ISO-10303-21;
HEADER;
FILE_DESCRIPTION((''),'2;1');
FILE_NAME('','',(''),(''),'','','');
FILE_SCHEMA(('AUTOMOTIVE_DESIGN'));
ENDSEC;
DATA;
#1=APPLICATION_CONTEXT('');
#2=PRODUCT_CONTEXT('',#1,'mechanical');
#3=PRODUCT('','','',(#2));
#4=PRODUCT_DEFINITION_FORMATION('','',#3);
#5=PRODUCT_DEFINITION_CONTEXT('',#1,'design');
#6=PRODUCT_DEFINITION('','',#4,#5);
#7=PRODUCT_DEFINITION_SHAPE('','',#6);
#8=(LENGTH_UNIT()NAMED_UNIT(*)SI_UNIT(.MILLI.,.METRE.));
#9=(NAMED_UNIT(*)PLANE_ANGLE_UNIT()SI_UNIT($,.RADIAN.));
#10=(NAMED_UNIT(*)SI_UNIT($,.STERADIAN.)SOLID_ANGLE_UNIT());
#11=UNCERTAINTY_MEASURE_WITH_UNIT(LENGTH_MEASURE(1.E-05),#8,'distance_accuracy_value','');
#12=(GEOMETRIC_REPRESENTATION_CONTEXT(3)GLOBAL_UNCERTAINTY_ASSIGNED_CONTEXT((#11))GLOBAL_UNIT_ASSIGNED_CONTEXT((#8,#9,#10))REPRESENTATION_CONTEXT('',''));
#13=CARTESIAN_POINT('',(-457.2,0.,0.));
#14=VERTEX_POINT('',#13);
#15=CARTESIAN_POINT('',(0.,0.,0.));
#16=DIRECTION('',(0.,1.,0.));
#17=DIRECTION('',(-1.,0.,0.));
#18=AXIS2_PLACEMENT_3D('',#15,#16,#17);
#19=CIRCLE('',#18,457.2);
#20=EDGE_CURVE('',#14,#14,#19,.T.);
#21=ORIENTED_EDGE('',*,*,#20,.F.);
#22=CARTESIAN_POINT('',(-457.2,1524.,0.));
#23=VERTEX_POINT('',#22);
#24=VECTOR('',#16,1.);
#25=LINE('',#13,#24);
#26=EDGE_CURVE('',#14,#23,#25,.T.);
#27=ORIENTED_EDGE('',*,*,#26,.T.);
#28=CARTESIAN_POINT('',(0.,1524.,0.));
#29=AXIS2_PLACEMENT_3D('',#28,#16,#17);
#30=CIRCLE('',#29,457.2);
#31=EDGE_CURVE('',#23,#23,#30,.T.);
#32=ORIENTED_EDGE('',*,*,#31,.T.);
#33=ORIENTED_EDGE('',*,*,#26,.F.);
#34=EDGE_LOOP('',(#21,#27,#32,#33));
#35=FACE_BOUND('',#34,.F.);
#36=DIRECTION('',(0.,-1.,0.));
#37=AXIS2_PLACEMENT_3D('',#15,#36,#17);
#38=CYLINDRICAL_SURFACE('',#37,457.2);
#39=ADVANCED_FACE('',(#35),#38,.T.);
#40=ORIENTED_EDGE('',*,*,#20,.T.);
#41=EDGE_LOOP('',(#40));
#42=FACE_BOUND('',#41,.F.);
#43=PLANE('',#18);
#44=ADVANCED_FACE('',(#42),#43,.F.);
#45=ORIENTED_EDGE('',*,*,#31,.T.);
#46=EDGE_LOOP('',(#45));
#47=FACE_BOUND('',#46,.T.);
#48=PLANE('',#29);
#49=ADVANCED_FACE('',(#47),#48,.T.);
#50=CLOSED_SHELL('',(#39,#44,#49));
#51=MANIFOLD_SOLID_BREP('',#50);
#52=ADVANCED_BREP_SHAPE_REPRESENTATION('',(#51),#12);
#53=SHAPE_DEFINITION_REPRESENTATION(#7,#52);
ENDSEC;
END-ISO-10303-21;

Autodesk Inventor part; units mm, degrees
ref_plane "YZ Plane" through (0, 0, 0) normal (1, 0, 0) x (0, 1, 0)
ref_plane "XZ Plane" through (0, 0, 0) normal (0, 1, 0) x (-1, 0, 0)
ref_plane "XY Plane" through (0, 0, 0) normal (0, 0, 1) x (1, 0, 0)
sketch "Sketch2" plane through (0, 0, 0) normal (0, 1, 0) x (-1, 0, 0)
  circle A0 centre (0, 0) radius 457.2
  dimension "d4" = 914.4
extrude "Extrusion2" add sketch "Sketch2" along normal blind 1524
equation "\"d4\" = Diameter"
equation "\"d5\" = Height"
equation "\"Diameter\" = 914.4"
equation "\"Height\" = 1524"
properties part number "Cylinder-sizing (plug-demo)"
